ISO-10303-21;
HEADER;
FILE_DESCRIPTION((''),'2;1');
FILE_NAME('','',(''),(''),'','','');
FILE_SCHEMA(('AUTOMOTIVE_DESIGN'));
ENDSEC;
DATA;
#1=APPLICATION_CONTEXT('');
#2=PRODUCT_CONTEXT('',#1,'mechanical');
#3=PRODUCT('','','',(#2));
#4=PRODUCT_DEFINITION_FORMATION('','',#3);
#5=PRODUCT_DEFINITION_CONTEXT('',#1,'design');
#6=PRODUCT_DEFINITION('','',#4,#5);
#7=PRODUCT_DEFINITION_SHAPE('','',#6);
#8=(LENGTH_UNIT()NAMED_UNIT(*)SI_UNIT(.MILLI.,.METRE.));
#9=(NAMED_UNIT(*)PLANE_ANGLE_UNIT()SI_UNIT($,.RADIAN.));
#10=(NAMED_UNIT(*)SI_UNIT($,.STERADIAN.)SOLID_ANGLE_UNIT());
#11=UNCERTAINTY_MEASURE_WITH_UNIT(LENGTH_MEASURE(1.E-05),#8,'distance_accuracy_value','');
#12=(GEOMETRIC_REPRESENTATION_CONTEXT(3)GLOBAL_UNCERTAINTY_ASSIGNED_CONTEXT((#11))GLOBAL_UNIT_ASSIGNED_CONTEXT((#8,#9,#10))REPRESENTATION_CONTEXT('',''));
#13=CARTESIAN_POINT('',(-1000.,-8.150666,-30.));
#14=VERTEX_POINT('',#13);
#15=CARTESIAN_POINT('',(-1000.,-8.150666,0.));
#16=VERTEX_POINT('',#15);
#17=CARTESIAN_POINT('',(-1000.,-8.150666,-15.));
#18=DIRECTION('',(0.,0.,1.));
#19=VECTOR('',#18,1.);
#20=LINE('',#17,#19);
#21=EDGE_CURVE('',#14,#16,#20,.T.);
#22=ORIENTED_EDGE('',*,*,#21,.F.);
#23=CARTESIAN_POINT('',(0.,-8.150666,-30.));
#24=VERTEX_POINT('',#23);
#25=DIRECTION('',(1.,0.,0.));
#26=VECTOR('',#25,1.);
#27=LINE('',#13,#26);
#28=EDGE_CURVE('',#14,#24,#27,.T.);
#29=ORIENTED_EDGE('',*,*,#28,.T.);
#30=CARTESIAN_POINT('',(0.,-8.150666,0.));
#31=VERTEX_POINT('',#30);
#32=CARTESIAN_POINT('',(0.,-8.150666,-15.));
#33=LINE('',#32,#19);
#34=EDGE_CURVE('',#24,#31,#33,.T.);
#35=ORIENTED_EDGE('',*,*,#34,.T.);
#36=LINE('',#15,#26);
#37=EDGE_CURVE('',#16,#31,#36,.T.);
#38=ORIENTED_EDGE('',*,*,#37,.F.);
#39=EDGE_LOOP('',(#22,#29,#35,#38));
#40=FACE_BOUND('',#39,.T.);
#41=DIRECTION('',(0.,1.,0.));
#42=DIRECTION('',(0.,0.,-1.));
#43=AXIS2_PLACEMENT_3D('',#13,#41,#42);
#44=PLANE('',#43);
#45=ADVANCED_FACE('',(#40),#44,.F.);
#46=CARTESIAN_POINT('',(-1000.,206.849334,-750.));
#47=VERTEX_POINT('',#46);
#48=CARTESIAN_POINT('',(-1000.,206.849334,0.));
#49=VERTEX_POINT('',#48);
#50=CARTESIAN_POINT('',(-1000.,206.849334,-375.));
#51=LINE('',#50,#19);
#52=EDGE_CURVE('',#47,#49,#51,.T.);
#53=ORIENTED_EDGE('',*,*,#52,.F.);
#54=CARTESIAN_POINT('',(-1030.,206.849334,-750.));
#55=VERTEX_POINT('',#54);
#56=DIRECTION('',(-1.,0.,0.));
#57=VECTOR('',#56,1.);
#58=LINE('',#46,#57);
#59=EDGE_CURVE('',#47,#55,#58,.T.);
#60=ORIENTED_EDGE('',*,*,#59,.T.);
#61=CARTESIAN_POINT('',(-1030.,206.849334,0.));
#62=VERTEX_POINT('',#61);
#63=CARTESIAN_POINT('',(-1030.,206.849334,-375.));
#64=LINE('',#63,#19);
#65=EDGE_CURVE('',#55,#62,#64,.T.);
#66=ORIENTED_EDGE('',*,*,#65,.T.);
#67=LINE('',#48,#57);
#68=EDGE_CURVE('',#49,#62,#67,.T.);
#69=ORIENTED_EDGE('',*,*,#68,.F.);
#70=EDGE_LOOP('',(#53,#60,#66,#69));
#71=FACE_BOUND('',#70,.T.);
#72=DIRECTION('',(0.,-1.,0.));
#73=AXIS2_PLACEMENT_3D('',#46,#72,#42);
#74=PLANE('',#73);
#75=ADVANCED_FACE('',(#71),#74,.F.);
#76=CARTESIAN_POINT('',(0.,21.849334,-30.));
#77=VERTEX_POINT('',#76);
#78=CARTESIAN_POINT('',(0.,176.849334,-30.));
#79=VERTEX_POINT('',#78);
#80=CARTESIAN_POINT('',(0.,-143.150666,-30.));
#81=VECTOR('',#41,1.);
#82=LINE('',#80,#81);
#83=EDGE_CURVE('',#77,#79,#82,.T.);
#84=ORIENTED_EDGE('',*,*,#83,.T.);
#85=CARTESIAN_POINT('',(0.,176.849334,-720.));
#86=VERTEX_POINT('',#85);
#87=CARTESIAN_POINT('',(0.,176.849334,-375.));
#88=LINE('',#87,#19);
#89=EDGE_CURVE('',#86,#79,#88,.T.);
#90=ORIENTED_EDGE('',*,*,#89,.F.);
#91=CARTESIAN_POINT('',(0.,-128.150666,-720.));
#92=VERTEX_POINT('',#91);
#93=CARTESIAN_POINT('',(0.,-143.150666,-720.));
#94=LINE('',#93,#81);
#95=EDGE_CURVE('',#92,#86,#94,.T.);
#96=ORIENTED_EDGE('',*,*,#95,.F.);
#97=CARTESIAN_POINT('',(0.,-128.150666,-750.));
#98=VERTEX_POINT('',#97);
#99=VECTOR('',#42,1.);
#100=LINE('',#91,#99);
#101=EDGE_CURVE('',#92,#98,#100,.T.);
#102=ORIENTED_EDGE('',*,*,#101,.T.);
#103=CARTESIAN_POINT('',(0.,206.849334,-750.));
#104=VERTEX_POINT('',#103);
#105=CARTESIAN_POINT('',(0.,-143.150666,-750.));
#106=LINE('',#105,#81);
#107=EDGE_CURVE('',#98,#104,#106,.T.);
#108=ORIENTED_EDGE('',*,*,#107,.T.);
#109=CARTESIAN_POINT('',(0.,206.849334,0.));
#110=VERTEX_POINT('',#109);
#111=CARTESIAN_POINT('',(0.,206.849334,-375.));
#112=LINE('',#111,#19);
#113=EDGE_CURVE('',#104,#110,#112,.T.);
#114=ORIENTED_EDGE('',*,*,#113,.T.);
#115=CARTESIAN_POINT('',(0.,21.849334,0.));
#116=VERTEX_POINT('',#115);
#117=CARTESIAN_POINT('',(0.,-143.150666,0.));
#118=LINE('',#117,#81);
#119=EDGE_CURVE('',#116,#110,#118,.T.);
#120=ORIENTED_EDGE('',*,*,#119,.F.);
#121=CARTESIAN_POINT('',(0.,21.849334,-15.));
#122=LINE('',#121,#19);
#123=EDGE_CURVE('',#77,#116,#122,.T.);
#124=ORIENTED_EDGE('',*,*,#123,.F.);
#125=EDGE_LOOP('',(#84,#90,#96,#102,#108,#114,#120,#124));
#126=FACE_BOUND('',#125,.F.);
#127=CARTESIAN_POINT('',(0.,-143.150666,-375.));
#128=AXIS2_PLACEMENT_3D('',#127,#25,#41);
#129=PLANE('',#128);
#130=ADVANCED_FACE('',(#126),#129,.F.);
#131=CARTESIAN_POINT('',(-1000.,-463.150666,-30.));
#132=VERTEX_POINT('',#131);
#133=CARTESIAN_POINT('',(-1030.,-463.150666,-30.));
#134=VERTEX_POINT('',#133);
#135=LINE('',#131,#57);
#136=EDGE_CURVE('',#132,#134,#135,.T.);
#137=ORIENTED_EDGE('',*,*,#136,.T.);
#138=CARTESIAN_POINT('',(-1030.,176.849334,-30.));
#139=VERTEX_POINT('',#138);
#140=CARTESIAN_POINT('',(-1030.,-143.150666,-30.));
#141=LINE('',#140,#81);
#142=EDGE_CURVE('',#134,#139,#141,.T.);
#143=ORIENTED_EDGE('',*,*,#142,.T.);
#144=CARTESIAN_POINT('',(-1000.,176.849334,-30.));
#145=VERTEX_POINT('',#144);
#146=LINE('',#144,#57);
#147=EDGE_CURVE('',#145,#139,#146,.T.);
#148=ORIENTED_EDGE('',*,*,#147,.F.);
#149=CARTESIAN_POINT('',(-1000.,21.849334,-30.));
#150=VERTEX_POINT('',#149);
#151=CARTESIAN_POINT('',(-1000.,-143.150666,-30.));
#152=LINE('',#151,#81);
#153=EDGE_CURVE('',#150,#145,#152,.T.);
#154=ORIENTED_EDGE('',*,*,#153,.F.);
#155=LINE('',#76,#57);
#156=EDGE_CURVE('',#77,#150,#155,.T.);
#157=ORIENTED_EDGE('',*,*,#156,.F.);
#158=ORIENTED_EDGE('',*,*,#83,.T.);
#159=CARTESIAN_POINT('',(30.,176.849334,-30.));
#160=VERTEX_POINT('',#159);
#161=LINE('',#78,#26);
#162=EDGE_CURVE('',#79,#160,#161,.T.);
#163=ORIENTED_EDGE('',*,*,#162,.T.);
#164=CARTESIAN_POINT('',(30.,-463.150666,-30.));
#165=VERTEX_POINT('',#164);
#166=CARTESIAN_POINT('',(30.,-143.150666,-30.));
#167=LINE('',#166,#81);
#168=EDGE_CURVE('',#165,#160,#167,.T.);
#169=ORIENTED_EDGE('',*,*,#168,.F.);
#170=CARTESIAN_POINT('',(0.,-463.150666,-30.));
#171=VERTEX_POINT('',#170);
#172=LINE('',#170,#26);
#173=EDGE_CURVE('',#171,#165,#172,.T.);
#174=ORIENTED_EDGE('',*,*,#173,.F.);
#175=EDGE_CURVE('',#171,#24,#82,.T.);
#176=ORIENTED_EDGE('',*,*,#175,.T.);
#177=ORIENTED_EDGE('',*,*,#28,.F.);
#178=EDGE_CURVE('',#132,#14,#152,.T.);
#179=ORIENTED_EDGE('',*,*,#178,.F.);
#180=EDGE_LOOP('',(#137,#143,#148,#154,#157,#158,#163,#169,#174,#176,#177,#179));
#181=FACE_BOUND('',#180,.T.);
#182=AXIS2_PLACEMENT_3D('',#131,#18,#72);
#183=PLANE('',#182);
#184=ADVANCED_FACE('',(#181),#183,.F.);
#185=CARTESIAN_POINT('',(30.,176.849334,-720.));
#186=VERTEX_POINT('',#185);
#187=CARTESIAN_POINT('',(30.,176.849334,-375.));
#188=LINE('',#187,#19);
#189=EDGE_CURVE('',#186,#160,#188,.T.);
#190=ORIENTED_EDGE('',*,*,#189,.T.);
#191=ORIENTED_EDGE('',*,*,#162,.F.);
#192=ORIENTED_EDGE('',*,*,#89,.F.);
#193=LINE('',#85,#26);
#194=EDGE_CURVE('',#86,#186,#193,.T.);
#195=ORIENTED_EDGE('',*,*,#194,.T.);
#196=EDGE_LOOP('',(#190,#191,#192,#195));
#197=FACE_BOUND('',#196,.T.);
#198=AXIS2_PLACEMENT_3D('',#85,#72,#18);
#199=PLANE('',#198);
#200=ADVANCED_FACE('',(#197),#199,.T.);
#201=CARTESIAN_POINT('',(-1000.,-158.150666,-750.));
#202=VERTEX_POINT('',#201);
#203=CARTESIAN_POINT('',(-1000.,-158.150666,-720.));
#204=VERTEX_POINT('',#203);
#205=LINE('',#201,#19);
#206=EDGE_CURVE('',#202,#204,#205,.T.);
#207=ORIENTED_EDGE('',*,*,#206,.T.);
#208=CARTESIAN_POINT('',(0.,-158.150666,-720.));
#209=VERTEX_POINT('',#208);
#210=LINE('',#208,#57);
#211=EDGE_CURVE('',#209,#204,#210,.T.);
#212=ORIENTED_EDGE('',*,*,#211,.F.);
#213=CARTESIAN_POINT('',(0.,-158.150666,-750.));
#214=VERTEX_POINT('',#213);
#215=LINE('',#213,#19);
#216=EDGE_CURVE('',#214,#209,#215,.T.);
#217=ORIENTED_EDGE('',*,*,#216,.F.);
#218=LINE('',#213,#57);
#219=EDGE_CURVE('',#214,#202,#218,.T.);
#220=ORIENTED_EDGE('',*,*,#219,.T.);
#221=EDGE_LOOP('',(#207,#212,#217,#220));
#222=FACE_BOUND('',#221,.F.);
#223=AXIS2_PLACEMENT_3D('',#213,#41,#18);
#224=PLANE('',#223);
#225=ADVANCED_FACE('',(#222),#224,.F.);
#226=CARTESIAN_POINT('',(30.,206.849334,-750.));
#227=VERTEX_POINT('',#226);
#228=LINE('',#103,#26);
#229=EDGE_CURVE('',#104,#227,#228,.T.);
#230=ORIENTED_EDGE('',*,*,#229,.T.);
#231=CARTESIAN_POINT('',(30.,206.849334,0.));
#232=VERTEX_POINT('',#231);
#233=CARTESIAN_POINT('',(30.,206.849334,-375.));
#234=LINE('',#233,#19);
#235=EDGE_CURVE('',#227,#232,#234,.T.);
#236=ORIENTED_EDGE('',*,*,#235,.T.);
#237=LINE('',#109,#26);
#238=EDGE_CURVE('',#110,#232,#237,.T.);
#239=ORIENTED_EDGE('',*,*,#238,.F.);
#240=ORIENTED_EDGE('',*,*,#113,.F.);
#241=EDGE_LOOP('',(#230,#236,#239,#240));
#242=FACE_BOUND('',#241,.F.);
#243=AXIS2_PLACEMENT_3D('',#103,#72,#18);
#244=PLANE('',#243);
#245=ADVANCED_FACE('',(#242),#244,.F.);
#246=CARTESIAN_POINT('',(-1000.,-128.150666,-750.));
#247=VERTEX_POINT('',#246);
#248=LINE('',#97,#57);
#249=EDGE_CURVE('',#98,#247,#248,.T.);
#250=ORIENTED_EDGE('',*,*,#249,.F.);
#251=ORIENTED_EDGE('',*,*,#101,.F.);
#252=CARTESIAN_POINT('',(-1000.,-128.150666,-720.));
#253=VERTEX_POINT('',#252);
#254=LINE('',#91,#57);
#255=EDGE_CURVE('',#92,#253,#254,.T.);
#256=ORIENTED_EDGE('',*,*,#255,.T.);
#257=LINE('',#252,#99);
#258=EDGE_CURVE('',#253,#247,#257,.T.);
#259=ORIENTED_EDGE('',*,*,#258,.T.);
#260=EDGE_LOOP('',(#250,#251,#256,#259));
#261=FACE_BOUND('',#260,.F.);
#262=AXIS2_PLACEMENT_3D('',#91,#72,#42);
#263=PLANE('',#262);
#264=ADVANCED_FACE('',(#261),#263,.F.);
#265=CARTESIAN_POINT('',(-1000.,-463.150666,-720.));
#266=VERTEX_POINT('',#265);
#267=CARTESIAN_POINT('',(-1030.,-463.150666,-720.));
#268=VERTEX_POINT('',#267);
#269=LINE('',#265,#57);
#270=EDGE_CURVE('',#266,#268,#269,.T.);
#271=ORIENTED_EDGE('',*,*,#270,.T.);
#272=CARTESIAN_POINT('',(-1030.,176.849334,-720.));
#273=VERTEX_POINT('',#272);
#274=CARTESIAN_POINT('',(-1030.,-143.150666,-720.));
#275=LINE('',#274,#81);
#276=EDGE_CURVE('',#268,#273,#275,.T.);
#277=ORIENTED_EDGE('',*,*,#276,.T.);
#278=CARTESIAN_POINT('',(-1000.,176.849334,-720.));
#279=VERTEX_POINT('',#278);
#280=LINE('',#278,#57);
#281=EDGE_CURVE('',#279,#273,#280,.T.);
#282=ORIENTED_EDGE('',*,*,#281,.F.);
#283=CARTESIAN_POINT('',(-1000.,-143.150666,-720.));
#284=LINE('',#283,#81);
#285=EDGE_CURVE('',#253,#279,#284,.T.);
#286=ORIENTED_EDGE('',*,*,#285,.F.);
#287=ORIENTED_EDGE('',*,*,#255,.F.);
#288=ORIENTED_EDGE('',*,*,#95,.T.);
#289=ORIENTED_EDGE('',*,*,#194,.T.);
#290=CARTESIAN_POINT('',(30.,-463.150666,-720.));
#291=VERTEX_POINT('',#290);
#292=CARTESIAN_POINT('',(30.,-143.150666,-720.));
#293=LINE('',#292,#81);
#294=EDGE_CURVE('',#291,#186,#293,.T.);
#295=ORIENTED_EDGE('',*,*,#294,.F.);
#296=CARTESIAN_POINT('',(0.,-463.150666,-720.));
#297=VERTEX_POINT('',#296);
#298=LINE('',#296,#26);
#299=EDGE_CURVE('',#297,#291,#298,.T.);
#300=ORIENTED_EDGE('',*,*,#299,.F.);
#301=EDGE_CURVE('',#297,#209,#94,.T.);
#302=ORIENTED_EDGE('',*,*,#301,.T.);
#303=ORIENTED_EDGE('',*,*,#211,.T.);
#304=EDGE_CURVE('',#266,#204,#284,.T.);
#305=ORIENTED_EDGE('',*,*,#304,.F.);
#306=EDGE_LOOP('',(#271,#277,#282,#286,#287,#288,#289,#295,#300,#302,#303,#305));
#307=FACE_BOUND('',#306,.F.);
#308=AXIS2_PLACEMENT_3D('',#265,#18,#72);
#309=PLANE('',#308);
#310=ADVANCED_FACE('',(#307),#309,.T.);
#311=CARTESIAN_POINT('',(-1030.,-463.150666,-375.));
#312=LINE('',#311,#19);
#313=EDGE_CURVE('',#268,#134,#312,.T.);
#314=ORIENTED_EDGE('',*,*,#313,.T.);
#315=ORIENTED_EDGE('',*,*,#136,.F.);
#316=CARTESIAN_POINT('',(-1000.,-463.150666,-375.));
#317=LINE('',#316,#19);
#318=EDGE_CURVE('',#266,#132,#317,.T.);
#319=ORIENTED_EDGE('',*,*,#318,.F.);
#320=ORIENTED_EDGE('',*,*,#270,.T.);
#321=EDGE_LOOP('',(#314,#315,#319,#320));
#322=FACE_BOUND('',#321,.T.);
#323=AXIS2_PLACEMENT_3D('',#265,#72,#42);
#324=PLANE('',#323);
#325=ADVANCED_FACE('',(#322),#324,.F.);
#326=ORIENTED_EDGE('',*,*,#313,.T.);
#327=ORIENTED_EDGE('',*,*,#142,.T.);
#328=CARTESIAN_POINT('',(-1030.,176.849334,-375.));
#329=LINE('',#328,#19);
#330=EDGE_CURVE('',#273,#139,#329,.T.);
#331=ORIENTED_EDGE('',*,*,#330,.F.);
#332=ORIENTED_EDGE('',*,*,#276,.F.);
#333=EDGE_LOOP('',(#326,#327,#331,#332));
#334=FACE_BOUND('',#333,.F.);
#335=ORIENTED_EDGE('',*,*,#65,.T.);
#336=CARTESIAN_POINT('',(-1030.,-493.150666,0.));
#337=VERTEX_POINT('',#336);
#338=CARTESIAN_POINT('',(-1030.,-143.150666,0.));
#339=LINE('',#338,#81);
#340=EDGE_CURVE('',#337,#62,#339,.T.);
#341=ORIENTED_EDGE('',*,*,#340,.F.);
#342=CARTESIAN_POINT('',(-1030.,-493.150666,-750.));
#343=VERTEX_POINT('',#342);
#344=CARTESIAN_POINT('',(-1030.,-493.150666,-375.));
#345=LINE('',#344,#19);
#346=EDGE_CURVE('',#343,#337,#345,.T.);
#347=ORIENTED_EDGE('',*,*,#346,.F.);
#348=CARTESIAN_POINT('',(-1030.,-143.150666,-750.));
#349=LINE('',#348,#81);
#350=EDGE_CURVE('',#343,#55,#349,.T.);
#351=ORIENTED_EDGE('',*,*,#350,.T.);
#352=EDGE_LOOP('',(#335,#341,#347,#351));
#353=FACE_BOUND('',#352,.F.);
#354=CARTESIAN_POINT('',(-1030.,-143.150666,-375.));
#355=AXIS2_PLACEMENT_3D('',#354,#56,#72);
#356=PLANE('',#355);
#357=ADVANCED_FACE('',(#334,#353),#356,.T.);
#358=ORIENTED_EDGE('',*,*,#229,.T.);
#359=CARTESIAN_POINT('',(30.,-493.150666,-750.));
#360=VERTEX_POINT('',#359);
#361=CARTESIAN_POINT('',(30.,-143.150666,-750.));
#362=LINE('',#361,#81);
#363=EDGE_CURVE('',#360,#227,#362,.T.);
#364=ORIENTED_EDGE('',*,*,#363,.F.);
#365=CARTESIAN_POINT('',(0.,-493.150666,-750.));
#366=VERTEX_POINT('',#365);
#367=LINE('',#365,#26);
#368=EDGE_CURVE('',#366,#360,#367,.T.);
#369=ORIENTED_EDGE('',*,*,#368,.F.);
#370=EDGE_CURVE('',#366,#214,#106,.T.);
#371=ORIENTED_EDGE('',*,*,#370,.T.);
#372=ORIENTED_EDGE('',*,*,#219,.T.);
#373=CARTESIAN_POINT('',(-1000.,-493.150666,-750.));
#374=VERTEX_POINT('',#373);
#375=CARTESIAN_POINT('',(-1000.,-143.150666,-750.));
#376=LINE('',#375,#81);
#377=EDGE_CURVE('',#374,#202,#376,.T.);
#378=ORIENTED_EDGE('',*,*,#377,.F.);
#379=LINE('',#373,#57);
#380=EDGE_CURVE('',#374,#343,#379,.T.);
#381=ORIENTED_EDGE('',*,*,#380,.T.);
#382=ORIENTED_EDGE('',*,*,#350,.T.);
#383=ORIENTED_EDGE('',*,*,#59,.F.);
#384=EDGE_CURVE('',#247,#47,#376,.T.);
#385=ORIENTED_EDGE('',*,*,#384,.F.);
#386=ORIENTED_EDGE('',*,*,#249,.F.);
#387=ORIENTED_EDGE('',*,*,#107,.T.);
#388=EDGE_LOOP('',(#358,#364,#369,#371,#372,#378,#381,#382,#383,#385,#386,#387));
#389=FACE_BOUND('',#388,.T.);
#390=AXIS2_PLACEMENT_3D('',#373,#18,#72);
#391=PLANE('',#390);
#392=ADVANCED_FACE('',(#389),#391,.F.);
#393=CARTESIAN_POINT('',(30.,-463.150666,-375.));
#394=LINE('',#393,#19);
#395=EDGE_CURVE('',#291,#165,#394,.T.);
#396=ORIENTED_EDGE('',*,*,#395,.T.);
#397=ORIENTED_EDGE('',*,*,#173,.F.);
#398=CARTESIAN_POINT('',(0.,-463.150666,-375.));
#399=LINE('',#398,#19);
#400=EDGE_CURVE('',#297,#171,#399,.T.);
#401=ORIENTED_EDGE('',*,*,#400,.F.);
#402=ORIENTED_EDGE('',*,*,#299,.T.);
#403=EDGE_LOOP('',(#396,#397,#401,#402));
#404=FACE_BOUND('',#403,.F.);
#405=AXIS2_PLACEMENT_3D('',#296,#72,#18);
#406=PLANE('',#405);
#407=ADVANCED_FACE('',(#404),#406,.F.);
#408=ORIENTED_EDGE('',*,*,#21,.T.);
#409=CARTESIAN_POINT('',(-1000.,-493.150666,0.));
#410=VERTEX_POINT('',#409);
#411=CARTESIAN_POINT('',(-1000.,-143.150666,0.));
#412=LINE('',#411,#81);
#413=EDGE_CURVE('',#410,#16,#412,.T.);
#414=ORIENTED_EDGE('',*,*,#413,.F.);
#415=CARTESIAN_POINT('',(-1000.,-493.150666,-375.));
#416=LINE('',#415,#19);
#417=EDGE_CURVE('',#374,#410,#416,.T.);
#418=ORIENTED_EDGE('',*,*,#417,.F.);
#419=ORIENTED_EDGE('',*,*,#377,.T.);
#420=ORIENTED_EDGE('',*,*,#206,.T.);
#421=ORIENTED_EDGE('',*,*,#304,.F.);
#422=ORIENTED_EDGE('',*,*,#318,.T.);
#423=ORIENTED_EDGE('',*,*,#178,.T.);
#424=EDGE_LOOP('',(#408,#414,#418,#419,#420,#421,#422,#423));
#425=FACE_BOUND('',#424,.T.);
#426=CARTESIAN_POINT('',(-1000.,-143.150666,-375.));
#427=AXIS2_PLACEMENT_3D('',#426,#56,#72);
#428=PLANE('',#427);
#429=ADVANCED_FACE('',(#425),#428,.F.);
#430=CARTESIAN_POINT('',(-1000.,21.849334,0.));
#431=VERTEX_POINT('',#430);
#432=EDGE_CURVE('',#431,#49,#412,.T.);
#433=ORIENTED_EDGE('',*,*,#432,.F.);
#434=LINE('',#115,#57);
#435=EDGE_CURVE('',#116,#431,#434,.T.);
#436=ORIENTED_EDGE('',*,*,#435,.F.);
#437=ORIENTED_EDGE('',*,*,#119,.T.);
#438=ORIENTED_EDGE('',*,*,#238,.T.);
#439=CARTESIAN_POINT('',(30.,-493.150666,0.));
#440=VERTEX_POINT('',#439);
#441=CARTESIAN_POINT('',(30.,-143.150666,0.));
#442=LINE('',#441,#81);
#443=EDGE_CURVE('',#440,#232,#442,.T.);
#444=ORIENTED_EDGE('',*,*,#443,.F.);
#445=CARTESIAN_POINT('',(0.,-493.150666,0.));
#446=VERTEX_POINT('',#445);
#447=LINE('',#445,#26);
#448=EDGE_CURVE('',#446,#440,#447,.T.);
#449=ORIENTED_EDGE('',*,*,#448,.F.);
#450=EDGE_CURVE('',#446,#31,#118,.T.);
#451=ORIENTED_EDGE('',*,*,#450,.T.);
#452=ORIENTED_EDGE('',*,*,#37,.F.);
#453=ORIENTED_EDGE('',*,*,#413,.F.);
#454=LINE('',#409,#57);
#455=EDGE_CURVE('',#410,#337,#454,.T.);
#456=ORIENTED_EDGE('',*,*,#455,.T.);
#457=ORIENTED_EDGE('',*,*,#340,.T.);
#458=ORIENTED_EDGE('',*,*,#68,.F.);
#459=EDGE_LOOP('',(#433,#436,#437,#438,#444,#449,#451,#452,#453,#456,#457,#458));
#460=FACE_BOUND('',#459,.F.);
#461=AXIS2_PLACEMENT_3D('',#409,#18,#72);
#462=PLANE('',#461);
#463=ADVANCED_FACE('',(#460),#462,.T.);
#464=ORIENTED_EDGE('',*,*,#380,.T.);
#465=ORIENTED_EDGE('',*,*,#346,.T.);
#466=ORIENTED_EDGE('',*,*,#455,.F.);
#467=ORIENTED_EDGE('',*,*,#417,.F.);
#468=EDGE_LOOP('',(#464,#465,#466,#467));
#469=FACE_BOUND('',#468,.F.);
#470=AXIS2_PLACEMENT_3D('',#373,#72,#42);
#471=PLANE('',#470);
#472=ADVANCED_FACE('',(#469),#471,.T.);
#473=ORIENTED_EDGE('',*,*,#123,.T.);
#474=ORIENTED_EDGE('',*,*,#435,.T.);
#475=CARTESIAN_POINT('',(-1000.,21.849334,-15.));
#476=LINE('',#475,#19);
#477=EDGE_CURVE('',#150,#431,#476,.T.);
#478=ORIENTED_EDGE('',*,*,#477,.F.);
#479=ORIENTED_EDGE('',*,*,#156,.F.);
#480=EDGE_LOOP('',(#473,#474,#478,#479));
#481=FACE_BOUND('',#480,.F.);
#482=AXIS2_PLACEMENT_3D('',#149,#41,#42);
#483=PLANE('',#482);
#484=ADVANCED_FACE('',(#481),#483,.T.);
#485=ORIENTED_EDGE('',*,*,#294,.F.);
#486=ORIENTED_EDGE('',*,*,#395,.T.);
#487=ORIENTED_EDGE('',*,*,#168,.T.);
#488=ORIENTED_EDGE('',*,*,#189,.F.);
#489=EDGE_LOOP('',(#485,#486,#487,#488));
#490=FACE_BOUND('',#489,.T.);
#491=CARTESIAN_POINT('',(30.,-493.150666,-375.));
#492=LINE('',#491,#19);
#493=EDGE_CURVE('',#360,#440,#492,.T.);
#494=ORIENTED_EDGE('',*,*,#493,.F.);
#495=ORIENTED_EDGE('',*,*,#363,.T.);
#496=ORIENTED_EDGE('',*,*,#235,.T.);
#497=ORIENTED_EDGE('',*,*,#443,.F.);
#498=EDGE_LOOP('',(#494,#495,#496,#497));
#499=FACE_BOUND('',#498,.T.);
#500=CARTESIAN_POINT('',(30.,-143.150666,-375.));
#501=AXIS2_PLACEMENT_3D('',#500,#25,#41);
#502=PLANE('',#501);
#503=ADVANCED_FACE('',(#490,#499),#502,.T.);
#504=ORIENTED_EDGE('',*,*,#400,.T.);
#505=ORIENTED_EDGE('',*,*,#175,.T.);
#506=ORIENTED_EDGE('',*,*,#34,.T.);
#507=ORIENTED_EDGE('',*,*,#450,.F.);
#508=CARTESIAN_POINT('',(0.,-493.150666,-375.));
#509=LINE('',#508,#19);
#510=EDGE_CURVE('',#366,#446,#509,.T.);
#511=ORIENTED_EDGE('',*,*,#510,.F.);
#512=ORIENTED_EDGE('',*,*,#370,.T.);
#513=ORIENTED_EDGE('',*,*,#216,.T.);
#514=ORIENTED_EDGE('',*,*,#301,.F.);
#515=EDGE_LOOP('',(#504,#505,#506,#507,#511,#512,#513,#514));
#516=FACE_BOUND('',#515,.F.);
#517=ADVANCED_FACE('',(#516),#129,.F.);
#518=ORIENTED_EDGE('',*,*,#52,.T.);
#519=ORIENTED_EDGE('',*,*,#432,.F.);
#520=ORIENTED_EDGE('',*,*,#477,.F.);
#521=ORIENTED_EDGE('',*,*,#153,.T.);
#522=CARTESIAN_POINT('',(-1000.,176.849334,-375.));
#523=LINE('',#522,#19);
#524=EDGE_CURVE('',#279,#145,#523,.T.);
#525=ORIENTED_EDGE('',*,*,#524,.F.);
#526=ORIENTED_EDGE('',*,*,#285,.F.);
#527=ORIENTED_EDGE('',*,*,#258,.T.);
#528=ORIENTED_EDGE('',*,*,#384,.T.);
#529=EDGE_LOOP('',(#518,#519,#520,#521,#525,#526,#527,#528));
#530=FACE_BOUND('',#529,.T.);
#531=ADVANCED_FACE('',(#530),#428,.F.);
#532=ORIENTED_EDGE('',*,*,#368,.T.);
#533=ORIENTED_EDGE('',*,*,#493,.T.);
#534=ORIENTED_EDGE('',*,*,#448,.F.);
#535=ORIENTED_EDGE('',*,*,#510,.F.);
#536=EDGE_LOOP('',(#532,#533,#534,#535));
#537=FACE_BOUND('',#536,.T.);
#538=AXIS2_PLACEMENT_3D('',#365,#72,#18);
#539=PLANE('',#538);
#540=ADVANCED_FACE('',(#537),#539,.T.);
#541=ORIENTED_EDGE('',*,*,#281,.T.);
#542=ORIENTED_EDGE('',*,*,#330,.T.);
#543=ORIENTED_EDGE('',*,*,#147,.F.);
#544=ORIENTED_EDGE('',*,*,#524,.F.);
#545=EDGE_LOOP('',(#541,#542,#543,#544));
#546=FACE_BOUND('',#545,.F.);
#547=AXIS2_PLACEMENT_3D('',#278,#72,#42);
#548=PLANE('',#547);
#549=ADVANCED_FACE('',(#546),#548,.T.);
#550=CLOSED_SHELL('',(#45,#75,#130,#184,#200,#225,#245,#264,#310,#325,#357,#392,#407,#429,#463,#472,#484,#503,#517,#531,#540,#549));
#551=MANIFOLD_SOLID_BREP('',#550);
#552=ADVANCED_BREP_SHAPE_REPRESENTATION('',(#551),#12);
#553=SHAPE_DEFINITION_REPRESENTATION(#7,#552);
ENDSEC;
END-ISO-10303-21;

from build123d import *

# Parameters (mm, degrees)
F0_W     = 700
F0_H     = 750
F0_W_2   = 640
F0_H_2   = 690
F1_DEPTH = 30
F2_W     = 30
F2_H     = 30
F3_DEPTH = 500
F6_DEPTH = 1000


with BuildPart() as f1:
    # F0 (on Right) → F1 (new body)
    with BuildSketch(Plane.YZ):
        with Locations((-143.150666, -375)):
            Rectangle(F0_W, F0_H)
        with Locations((-143.150666, -375)):
            Rectangle(F0_W_2, F0_H_2, mode=Mode.SUBTRACT)
    extrude(amount=F1_DEPTH)

    # F2 (on face) → F3 (join)
    with BuildSketch(Plane(origin=(0, 0, 0), x_dir=(0, -1, 0), z_dir=(-1, 0, 0))):
        with Locations((-6.849334, -15)):
            Rectangle(F2_W, F2_H)
    extrude(amount=F3_DEPTH)

    # F4: F1 across face


with BuildPart() as f1_1:
    add(f1.part)
    add(f1.part.mirror(Plane(origin=(-500, 6.849334, -15), x_dir=(0, -1, 0), z_dir=(-1, 0, 0))))

    # F5 (on face) → F6 (join, through all)
    with BuildSketch(Plane(origin=(0, 0, 0), x_dir=(0, -1, 0), z_dir=(-1, 0, 0))):
        Polygon((128.150666, -750), (143.150666, -750), (158.150666, -750), (158.150666, -720), (128.150666, -720), align=None)
    extrude(amount=F6_DEPTH)


solid = f1_1.part
